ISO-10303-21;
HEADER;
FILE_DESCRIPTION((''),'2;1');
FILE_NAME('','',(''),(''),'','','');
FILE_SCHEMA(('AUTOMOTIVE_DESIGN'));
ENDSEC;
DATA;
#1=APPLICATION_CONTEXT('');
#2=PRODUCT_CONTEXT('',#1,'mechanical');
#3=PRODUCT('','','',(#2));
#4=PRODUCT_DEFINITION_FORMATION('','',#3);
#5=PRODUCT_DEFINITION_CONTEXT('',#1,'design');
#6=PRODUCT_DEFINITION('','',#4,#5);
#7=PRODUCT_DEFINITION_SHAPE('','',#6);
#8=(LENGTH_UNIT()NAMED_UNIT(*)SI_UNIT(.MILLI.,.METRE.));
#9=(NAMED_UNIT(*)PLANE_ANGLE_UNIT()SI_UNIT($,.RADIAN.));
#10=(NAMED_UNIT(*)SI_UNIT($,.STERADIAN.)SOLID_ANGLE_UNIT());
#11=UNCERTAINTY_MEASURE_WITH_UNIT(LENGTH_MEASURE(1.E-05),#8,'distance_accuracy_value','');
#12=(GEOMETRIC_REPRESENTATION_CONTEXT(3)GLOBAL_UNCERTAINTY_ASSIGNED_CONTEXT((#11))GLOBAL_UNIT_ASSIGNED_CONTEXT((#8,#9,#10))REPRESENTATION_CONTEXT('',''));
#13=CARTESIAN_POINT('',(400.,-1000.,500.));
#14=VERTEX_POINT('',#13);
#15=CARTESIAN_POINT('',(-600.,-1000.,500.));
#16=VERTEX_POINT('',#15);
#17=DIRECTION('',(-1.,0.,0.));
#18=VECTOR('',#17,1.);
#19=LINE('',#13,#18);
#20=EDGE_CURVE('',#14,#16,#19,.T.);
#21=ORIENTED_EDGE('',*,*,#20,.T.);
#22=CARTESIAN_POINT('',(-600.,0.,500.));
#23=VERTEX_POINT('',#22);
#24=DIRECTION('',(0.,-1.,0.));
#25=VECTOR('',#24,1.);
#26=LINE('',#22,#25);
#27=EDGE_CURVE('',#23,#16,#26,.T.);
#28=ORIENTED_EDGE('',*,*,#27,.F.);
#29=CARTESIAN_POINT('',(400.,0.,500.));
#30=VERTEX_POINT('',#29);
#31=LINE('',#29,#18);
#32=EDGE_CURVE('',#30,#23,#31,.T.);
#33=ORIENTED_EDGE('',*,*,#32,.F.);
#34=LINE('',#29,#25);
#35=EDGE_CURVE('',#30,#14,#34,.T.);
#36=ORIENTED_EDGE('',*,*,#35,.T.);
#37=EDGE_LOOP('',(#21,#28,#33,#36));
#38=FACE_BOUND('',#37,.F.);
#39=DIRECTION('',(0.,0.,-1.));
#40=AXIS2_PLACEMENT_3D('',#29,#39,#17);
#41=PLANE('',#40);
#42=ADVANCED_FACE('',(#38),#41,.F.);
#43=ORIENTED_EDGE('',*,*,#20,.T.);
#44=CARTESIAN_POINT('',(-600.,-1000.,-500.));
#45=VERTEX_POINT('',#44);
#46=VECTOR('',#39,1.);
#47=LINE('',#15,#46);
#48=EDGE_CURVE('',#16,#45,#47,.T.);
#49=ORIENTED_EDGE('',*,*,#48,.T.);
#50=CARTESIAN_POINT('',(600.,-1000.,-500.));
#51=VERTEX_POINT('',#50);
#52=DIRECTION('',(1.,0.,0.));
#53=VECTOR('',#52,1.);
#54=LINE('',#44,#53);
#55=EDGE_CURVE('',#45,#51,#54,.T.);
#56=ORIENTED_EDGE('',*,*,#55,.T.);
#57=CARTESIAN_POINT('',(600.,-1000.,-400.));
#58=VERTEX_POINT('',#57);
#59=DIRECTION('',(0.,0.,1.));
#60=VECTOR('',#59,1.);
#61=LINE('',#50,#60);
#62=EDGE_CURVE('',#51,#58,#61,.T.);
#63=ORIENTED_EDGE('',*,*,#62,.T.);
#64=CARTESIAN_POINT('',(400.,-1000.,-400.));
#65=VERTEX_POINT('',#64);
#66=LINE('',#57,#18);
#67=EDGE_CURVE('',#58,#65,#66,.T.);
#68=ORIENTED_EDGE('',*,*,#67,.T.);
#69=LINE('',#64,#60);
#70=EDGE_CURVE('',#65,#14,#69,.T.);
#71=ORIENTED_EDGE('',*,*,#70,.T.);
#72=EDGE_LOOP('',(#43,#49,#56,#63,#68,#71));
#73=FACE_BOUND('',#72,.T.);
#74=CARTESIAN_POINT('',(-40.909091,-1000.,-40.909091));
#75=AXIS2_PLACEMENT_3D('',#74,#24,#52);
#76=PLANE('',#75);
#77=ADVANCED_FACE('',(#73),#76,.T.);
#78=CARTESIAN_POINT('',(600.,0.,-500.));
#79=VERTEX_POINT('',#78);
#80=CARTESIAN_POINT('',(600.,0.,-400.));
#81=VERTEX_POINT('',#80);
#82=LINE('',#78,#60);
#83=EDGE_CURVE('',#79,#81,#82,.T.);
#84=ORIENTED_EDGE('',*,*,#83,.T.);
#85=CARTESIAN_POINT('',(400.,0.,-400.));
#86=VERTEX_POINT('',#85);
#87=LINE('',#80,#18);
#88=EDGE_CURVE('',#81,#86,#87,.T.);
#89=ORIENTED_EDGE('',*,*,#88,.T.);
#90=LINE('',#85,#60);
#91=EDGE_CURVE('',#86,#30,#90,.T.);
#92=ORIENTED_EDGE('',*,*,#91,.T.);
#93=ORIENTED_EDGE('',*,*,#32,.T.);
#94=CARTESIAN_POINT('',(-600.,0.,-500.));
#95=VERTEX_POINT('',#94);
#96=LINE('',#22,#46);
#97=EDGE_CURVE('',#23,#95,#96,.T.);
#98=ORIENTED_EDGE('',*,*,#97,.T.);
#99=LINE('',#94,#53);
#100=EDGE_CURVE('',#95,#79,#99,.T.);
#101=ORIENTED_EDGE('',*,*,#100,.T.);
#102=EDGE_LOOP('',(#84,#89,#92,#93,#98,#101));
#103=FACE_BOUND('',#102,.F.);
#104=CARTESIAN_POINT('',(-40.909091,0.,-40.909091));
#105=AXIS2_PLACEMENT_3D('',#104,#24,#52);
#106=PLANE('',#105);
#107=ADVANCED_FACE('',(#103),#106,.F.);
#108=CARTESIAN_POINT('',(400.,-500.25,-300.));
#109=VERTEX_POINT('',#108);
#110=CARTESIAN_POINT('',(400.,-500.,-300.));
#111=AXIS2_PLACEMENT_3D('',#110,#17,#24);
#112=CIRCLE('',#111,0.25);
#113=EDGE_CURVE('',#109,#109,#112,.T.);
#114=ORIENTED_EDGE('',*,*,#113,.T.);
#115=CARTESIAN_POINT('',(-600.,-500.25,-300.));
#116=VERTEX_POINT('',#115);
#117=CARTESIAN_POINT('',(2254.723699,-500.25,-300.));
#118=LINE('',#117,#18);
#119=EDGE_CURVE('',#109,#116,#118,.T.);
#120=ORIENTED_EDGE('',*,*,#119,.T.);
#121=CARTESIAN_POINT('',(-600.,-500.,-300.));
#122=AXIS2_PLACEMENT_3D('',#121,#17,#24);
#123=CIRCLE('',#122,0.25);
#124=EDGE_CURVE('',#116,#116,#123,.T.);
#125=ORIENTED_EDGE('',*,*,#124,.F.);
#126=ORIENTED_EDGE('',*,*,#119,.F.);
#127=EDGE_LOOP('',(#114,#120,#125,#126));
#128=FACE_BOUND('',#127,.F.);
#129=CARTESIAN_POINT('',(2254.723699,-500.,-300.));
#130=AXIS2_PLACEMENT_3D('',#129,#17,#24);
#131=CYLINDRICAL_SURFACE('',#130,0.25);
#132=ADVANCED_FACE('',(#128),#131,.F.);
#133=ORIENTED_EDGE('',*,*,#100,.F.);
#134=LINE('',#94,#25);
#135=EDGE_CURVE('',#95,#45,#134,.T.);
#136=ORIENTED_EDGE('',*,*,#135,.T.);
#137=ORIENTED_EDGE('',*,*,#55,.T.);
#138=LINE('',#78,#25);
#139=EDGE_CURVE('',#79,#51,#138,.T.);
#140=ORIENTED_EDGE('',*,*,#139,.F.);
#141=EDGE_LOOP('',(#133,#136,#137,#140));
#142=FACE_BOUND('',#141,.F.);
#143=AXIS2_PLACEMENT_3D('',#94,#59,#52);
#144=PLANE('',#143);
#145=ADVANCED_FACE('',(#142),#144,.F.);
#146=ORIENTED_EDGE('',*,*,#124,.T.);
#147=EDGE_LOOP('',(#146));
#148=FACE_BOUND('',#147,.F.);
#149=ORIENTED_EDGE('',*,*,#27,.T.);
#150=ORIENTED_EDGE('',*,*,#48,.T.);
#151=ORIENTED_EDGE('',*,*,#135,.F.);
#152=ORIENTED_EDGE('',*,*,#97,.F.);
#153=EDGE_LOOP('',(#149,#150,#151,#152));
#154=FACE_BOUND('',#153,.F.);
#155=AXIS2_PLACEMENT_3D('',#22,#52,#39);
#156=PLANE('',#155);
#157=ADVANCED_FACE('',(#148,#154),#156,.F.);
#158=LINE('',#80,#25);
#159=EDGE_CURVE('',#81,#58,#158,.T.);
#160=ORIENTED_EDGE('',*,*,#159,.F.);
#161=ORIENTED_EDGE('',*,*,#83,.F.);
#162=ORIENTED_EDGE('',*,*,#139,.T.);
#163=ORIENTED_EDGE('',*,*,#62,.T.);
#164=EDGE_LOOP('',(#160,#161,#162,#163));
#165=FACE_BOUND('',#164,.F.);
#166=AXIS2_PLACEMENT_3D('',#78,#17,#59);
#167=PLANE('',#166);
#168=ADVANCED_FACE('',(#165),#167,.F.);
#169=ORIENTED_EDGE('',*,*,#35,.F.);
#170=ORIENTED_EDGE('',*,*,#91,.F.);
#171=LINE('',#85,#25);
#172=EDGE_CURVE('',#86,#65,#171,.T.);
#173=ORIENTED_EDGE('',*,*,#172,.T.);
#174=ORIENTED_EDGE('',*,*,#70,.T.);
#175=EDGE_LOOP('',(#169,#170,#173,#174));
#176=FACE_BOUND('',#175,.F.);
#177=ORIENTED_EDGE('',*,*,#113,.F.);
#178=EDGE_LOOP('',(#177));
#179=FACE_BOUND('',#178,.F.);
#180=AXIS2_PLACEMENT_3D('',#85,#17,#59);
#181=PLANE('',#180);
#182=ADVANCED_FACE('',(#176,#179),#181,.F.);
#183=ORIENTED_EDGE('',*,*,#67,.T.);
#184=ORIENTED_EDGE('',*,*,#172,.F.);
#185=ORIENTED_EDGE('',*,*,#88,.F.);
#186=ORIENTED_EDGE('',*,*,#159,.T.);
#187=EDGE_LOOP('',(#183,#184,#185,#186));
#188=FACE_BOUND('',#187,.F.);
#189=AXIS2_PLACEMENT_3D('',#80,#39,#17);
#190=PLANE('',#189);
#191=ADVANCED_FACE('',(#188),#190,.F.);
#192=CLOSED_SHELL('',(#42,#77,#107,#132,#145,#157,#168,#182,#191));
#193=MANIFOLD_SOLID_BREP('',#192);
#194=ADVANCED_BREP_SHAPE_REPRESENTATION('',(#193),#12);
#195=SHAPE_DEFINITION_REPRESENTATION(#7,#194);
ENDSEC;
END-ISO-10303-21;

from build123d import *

# Parameters (mm, degrees)
F1_DEPTH = 1000
F4_D     = 0.5


with BuildPart() as f1:
    # F0 (on Front) → F1 (new body)
    with BuildSketch(Plane.XZ):
        Polygon((400, 500), (-600, 500), (-600, -500), (600, -500), (600, -400), (400, -400), align=None)
    extrude(amount=F1_DEPTH)

    # F4 (through all)
    with Locations(Plane.YZ.offset(400)):
        with Locations((-500, -300)):
            Hole(F4_D / 2)


solid = f1.part
